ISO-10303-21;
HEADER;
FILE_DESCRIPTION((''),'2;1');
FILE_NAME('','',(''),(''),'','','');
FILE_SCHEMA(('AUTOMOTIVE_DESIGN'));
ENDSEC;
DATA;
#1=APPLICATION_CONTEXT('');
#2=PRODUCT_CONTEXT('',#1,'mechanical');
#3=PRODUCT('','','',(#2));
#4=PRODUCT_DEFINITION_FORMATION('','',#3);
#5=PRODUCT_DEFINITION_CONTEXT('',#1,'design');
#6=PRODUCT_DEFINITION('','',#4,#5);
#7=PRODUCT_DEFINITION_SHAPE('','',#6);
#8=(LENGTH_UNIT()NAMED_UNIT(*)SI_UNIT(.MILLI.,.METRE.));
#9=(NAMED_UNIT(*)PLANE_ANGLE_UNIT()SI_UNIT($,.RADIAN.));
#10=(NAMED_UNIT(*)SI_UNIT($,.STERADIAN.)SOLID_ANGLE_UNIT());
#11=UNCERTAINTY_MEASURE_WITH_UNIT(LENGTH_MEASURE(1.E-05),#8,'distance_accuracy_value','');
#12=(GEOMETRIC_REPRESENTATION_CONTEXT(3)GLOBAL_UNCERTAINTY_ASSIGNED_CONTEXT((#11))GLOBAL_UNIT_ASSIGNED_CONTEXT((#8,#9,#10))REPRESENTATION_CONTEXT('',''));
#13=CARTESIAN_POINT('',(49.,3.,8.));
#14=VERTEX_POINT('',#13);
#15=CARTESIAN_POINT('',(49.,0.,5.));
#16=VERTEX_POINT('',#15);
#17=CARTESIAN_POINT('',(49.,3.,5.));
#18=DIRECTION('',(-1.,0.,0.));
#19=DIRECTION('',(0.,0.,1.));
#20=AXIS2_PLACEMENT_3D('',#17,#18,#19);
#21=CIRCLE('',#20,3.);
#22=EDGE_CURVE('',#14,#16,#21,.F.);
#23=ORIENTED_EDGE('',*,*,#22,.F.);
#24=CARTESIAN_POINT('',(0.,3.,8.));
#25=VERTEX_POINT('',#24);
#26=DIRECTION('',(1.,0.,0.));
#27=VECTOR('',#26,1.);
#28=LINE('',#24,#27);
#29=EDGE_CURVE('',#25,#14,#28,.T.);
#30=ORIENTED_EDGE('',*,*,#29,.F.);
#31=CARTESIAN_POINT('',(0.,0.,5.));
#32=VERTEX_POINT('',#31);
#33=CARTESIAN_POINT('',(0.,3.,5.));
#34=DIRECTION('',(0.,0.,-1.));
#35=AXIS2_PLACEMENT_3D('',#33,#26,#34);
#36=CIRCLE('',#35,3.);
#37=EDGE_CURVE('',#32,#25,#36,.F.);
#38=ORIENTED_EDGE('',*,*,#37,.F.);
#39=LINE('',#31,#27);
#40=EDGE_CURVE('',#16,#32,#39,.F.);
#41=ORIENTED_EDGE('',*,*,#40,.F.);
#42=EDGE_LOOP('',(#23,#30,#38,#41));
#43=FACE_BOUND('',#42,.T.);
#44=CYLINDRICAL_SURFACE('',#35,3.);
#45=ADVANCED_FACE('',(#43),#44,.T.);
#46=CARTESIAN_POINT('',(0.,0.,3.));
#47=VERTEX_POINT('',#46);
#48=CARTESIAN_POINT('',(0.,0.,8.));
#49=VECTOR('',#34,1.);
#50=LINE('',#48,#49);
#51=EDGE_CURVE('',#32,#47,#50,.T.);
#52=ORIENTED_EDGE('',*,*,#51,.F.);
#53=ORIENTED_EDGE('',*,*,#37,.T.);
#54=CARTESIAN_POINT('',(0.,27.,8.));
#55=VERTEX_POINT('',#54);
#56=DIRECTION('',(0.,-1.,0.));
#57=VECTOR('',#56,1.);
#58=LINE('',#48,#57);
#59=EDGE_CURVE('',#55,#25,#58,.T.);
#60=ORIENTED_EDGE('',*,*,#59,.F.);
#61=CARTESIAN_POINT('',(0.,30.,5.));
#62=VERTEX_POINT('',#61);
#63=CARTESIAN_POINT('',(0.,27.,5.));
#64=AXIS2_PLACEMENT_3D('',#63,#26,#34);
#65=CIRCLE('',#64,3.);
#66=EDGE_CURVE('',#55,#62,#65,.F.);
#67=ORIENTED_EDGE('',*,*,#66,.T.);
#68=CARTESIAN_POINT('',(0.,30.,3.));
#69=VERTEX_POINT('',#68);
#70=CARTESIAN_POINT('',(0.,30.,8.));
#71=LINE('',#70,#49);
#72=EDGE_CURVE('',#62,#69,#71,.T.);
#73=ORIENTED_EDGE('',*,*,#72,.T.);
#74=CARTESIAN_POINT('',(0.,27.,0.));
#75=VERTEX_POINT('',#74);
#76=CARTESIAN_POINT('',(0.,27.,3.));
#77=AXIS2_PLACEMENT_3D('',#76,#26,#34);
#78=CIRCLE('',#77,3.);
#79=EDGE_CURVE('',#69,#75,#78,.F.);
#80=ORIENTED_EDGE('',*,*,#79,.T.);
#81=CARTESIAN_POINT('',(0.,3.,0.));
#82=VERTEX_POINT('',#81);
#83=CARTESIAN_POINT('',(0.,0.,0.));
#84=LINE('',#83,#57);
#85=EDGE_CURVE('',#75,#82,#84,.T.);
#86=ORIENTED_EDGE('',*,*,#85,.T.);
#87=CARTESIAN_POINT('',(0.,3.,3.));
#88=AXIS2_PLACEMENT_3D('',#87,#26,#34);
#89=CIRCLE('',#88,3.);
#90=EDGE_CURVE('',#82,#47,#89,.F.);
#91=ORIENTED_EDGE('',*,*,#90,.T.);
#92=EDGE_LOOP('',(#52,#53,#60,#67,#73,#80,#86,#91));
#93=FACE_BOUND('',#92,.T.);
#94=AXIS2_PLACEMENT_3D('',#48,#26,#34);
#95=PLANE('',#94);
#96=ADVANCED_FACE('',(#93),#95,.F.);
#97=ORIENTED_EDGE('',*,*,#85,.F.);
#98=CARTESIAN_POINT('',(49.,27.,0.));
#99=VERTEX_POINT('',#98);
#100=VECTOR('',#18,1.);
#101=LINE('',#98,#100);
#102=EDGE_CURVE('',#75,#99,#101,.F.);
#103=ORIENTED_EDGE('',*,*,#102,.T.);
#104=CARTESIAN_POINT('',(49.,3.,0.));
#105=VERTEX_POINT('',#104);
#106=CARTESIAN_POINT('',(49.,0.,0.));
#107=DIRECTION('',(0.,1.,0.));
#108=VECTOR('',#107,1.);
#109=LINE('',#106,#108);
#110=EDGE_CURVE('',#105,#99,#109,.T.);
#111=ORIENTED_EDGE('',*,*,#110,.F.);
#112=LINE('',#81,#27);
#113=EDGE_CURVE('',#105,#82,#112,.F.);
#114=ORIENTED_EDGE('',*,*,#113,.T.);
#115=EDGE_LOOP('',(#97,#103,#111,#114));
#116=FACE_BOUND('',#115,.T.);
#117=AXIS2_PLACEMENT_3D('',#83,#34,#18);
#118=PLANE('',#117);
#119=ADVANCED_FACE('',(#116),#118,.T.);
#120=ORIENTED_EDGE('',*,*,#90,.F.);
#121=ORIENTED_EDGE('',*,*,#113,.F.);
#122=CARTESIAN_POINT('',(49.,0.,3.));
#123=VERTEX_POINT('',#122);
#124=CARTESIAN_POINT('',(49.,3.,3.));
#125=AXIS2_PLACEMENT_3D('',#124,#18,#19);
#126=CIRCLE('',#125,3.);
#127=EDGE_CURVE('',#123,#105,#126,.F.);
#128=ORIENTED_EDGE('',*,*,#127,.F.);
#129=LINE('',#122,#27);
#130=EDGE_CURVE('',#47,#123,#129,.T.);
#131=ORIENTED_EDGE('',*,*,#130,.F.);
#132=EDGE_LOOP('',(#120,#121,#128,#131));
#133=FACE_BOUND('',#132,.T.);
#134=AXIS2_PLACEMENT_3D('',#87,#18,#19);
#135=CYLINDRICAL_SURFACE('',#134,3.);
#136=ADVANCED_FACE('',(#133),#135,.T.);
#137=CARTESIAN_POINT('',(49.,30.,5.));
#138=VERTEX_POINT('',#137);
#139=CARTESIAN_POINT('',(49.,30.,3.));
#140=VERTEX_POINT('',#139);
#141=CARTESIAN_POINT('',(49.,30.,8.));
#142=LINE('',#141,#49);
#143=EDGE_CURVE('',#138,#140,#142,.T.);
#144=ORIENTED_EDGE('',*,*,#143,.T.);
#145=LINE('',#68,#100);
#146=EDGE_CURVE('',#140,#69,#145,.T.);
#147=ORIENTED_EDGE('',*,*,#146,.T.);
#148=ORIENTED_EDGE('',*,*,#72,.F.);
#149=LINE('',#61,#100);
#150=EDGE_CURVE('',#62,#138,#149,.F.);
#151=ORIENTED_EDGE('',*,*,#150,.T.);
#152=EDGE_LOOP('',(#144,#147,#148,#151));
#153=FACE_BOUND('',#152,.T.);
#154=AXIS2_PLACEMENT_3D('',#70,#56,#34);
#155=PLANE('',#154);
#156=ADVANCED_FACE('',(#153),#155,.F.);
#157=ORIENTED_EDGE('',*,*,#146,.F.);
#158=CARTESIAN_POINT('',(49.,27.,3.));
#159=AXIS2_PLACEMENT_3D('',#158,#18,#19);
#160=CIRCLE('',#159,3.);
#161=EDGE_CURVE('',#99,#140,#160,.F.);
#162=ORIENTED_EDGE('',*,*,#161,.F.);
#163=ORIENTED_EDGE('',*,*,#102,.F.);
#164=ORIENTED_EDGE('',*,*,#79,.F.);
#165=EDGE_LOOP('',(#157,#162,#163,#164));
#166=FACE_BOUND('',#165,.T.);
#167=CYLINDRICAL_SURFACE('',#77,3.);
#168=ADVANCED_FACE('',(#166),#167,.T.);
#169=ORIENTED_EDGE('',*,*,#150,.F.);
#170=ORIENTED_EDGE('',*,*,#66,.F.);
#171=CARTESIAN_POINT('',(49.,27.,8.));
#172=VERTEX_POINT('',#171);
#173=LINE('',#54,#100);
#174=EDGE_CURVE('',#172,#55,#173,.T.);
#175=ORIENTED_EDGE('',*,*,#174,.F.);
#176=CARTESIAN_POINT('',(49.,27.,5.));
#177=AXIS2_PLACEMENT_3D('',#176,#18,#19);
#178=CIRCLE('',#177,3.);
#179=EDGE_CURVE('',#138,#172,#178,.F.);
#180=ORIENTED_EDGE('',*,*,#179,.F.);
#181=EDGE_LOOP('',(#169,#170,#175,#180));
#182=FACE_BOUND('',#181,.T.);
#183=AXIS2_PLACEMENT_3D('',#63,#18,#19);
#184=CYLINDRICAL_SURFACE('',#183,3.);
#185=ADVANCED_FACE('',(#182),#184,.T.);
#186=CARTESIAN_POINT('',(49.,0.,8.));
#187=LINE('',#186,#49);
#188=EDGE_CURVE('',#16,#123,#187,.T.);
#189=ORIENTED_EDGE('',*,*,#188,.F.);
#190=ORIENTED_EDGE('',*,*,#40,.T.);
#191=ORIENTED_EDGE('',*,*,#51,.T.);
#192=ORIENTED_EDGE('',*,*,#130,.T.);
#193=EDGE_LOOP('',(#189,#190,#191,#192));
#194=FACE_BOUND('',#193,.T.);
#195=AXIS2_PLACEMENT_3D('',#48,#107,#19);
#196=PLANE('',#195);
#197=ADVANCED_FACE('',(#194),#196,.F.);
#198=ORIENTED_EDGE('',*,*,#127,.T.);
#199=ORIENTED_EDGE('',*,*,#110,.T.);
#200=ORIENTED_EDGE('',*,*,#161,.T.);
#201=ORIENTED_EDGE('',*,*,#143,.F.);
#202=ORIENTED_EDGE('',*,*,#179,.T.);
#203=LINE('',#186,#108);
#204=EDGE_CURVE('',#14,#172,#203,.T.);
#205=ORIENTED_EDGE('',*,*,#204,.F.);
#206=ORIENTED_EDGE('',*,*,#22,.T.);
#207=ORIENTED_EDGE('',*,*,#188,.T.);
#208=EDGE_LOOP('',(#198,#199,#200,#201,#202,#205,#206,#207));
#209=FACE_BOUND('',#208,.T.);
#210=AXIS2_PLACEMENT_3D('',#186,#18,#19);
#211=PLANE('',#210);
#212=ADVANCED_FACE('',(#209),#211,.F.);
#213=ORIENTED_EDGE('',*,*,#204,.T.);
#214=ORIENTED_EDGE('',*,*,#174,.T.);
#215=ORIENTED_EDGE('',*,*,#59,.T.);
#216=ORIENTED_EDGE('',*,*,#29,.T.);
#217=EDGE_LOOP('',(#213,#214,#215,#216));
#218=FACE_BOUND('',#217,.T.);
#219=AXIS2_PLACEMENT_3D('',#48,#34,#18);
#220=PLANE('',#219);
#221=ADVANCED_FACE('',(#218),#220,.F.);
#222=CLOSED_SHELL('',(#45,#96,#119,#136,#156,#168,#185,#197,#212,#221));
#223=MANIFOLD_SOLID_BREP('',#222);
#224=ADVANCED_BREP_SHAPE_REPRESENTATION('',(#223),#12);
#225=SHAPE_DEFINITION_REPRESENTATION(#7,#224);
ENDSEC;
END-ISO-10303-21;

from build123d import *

# Parameters (mm, degrees)
SKETCH1_W           = 49
SKETCH1_H           = 30
BOSS_EXTRUDE1_DEPTH = 8
FILLET1_R           = 3


with BuildPart() as part:
    # Sketch1 → Boss-Extrude1 (new body)
    with BuildSketch(Plane.XY):
        with Locations((24.5, 15)):
            Rectangle(SKETCH1_W, SKETCH1_H)
    extrude(amount=BOSS_EXTRUDE1_DEPTH)

    # Fillet1
    fillet1_edges = [part.edges().sort_by_distance(p)[0] for p in [
        (24.5, 30, 8),
        (24.5, 30, 0),
        (24.5, 0, 0),
        (24.5, 0, 8),
    ]]
    fillet(fillet1_edges, radius=FILLET1_R)


solid = part.part
